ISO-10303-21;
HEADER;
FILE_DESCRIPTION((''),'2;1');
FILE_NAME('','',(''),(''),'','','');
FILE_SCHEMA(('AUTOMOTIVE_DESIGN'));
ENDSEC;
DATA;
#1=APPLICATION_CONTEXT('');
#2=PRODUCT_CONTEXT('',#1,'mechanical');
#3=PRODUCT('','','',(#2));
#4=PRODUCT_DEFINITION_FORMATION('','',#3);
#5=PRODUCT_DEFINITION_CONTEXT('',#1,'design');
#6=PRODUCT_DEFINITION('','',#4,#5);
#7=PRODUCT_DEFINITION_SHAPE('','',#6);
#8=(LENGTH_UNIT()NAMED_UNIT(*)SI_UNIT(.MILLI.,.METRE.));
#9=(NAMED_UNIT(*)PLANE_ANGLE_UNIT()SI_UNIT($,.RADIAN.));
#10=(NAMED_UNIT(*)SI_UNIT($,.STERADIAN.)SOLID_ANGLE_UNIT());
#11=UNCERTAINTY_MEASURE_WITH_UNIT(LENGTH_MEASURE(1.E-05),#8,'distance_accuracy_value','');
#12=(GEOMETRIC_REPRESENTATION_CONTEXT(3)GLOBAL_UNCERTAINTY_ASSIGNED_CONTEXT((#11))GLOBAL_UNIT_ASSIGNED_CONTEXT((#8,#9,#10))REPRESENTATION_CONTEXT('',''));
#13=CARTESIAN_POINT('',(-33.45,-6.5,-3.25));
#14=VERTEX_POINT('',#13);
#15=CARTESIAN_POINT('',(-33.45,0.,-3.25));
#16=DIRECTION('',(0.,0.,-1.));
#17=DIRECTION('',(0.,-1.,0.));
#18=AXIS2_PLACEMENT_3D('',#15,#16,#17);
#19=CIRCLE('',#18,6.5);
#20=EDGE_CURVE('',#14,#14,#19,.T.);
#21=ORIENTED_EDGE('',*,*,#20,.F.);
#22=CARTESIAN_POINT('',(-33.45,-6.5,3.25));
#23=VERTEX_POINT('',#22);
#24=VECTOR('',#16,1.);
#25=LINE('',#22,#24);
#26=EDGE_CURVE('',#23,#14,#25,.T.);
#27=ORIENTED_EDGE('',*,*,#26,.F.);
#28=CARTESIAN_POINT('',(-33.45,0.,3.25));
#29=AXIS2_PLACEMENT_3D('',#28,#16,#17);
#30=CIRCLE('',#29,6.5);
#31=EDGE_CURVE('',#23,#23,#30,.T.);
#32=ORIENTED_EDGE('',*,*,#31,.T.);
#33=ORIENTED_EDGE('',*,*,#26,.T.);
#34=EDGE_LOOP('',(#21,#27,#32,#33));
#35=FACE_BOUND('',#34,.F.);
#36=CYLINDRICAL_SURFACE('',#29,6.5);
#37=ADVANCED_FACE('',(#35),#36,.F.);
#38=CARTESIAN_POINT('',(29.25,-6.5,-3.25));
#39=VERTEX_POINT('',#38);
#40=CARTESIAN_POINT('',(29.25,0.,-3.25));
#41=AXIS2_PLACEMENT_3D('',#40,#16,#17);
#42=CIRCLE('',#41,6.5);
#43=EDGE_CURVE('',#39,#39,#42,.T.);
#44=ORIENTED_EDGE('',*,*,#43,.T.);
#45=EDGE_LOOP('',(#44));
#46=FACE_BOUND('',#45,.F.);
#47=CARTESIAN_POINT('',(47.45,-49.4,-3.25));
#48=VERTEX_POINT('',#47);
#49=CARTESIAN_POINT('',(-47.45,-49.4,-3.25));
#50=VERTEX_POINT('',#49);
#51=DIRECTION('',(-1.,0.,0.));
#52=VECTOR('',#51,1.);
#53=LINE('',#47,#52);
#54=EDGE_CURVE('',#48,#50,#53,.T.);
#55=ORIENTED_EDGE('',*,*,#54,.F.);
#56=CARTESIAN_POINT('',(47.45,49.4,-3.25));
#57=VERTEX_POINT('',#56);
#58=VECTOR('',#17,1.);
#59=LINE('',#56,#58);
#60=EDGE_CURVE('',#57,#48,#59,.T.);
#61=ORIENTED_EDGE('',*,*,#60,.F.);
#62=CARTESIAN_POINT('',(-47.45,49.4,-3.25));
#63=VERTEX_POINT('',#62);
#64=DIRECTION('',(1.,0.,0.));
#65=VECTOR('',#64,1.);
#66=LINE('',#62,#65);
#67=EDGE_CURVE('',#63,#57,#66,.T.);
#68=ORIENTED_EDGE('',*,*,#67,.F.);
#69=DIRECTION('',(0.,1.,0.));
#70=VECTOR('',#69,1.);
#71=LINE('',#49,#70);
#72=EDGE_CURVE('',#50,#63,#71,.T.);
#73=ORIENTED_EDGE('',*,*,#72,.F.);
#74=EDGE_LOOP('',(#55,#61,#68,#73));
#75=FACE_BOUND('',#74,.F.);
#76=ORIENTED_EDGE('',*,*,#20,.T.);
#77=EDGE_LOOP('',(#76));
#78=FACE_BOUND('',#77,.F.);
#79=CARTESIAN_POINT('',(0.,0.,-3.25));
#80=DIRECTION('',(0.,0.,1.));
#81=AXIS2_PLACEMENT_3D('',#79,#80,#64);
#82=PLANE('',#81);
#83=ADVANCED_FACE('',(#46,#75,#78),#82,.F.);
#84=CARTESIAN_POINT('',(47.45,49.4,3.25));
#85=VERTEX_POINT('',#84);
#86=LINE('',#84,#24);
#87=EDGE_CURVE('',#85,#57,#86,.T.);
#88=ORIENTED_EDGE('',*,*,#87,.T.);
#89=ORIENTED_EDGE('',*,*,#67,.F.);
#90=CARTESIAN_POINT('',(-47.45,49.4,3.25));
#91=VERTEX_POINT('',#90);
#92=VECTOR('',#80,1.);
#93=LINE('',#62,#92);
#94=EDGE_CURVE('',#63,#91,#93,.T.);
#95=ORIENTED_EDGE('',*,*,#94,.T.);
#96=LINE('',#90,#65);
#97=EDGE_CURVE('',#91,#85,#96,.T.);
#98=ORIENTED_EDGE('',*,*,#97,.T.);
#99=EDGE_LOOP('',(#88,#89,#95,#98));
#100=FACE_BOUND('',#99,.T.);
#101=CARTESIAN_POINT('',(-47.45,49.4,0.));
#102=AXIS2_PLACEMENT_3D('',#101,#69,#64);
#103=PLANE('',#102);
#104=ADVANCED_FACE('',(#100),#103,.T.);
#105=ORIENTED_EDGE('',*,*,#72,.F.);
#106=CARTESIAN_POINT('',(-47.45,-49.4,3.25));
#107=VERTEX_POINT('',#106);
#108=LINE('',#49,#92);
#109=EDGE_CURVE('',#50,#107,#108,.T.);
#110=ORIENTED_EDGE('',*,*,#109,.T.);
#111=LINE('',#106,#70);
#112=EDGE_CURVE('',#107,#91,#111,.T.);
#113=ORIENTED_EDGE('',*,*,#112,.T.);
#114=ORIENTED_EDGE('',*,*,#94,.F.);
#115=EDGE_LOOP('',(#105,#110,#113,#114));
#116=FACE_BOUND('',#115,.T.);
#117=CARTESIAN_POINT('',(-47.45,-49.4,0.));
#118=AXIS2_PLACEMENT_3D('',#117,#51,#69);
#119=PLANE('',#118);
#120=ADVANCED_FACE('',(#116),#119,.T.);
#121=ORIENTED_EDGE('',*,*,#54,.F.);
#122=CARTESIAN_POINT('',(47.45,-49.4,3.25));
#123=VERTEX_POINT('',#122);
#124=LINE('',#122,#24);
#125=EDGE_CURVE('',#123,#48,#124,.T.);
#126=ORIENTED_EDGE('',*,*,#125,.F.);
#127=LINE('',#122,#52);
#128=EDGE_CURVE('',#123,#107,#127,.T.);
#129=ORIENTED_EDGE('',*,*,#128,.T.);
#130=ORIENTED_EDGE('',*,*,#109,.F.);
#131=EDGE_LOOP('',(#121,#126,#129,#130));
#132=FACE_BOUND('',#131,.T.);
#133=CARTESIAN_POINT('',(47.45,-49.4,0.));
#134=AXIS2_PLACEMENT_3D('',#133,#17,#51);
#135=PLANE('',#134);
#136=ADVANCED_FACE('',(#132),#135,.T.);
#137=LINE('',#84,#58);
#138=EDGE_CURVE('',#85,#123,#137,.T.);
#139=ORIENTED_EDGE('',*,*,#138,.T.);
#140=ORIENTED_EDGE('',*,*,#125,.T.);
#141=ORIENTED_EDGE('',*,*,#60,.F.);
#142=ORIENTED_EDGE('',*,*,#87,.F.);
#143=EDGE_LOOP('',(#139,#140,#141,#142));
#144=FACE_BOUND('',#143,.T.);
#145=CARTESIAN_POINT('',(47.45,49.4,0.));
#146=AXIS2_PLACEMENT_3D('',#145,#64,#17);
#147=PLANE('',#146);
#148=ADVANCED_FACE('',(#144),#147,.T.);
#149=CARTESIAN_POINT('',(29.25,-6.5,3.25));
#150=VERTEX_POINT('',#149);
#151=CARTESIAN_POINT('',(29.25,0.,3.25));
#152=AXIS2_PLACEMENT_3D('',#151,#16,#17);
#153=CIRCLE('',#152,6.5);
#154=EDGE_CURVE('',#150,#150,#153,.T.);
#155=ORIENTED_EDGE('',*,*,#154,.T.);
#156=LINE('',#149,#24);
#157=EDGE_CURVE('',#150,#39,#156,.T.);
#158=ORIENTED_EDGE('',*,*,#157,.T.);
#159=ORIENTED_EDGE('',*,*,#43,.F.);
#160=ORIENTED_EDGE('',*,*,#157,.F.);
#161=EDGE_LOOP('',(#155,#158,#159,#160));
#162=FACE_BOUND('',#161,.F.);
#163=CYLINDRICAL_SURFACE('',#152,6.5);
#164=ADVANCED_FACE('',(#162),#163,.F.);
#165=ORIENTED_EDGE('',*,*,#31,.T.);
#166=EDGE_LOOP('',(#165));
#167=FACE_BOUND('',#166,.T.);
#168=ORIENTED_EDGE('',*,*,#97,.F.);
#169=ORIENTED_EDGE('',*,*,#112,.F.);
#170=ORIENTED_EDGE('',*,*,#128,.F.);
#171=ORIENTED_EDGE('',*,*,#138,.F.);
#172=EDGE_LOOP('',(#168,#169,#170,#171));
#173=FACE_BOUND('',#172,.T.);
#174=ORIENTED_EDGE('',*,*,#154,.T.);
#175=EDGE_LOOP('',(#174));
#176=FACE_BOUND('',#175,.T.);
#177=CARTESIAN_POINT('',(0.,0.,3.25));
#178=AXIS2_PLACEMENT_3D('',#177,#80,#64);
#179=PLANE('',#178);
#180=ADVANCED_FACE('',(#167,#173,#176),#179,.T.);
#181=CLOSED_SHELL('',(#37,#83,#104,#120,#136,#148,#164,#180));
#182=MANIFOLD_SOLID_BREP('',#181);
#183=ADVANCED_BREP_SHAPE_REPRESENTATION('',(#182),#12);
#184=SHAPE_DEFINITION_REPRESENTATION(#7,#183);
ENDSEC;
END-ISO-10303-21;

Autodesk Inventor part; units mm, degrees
ref_plane "YZ Plane" through (0, 0, 0) normal (1, 0, 0) x (0, 1, 0)
ref_plane "XZ Plane" through (0, 0, 0) normal (0, 1, 0) x (-1, 0, 0)
ref_plane "XY Plane" through (0, 0, 0) normal (0, 0, 1) x (1, 0, 0)
sketch "Sketch1" plane through (0, 0, 0) normal (0, 0, 1) x (1, 0, 0)
  line L0 (-47.45, 49.4) -> (47.45, 49.4)
  line L1 (47.45, 49.4) -> (47.45, -49.4)
  line L2 (47.45, -49.4) -> (-47.45, -49.4)
  line L3 (-47.45, -49.4) -> (-47.45, 49.4)
  line L4 (-47.45, 49.4) -> (47.45, -49.4) construction
  line L5 (47.45, 49.4) -> (-47.45, -49.4) construction
  point P0 (0, 0)
  dimension "Comp" = 94.9
  dimension "Larg" = 98.8
extrude "Extrusion1" add sketch "Sketch1" along normal mid plane 6.5
hole "Hole2" at (-33.45, 0, 3.25) direction (0, 0, -1) diameter 13 end through all
hole "Hole3" at (29.25, 0, 3.25) direction (0, 0, -1) diameter 13 end through all
properties part number "Buste3"
